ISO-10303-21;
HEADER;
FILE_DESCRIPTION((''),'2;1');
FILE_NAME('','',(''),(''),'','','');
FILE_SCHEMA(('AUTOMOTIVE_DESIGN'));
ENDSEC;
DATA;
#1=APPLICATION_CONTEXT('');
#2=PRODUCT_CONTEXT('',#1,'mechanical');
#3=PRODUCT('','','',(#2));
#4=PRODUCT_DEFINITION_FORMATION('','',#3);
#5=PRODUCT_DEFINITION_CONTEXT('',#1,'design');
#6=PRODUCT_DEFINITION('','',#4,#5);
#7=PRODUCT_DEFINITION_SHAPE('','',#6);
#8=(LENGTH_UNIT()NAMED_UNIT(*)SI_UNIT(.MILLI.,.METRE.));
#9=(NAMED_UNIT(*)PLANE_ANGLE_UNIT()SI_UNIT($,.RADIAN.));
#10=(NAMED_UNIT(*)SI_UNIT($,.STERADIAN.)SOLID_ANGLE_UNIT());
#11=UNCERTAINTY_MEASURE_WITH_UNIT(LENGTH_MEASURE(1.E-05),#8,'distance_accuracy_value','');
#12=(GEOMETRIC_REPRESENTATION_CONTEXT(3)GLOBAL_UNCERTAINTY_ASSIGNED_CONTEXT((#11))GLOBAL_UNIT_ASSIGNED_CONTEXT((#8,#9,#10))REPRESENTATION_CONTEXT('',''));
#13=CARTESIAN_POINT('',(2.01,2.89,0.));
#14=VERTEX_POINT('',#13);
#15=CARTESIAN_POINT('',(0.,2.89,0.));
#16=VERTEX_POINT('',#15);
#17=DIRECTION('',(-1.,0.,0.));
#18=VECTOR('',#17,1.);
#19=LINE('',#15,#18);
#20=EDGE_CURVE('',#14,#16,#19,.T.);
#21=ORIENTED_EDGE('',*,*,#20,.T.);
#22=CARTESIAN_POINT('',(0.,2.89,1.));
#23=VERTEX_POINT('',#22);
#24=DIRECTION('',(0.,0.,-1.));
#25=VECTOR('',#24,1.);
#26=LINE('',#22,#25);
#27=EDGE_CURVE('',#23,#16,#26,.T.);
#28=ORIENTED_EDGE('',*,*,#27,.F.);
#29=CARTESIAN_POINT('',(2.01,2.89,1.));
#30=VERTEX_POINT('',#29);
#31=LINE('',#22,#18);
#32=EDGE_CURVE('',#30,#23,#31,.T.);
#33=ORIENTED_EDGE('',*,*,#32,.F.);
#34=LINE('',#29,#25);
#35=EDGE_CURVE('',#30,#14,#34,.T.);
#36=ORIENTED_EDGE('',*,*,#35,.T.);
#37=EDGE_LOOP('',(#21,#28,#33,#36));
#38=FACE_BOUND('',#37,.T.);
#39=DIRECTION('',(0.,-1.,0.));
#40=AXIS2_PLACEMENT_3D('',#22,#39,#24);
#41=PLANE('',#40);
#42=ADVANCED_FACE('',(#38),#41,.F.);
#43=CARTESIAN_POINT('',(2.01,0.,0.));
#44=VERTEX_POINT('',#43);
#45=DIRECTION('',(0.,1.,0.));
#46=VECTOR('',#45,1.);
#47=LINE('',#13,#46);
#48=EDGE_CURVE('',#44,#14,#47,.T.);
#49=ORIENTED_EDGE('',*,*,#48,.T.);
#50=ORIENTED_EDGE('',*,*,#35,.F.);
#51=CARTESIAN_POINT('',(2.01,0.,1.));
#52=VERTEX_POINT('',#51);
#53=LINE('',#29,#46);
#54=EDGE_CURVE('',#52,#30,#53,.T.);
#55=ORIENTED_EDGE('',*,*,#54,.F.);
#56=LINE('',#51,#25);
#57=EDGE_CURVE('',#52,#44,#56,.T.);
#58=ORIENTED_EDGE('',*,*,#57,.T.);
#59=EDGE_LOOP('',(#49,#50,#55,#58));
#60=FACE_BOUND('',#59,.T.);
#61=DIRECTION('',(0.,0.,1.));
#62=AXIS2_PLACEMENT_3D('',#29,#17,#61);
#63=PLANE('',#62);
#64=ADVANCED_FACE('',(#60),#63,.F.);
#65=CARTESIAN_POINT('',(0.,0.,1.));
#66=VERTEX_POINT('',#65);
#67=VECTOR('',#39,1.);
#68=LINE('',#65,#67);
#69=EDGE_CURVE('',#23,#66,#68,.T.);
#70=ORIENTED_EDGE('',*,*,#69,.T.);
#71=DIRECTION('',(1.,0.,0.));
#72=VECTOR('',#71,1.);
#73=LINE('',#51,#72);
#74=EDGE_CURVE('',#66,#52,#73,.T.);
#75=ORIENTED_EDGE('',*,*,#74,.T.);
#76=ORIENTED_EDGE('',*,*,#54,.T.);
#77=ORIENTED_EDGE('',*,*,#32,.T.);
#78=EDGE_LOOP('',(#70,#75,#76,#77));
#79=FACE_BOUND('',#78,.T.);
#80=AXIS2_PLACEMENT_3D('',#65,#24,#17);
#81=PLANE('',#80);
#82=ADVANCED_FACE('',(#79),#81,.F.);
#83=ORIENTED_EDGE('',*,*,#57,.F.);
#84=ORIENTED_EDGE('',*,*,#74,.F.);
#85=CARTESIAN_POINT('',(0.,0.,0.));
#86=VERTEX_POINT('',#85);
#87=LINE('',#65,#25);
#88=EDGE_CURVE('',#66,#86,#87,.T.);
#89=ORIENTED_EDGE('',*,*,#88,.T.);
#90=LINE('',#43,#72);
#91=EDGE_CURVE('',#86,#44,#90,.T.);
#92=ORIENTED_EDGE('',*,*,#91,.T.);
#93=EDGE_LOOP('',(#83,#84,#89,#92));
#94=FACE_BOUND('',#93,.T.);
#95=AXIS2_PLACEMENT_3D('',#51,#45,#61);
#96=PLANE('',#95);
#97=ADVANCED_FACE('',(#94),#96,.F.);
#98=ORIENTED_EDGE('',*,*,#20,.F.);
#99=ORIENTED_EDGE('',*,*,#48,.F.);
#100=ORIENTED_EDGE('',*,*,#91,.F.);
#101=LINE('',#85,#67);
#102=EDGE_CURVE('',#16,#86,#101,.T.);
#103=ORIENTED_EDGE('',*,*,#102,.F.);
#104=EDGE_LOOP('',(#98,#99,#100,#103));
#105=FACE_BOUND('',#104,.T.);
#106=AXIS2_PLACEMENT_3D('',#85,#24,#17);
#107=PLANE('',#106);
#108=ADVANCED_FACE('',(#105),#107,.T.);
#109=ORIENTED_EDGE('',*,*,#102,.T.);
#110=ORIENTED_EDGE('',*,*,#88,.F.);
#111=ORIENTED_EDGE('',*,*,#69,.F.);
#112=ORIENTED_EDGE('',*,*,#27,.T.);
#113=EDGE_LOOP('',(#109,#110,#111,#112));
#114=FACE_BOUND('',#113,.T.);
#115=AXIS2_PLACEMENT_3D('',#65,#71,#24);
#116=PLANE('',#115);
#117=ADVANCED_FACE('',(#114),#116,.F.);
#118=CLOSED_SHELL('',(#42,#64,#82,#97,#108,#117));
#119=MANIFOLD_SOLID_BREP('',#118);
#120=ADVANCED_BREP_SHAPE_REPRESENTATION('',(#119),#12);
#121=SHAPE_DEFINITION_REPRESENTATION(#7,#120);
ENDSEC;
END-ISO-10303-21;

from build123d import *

# Parameters (mm, degrees)
SKETCH1_W               = 2.01
SKETCH1_H               = 2.89
COMPONENT_OUTLINE_DEPTH = 1


with BuildPart() as part:
    # Sketch1 → Component_Outline (new body)
    with BuildSketch(Plane.XY):
        with Locations((1.005, 1.445)):
            Rectangle(SKETCH1_W, SKETCH1_H)
    extrude(amount=COMPONENT_OUTLINE_DEPTH)


solid = part.part
